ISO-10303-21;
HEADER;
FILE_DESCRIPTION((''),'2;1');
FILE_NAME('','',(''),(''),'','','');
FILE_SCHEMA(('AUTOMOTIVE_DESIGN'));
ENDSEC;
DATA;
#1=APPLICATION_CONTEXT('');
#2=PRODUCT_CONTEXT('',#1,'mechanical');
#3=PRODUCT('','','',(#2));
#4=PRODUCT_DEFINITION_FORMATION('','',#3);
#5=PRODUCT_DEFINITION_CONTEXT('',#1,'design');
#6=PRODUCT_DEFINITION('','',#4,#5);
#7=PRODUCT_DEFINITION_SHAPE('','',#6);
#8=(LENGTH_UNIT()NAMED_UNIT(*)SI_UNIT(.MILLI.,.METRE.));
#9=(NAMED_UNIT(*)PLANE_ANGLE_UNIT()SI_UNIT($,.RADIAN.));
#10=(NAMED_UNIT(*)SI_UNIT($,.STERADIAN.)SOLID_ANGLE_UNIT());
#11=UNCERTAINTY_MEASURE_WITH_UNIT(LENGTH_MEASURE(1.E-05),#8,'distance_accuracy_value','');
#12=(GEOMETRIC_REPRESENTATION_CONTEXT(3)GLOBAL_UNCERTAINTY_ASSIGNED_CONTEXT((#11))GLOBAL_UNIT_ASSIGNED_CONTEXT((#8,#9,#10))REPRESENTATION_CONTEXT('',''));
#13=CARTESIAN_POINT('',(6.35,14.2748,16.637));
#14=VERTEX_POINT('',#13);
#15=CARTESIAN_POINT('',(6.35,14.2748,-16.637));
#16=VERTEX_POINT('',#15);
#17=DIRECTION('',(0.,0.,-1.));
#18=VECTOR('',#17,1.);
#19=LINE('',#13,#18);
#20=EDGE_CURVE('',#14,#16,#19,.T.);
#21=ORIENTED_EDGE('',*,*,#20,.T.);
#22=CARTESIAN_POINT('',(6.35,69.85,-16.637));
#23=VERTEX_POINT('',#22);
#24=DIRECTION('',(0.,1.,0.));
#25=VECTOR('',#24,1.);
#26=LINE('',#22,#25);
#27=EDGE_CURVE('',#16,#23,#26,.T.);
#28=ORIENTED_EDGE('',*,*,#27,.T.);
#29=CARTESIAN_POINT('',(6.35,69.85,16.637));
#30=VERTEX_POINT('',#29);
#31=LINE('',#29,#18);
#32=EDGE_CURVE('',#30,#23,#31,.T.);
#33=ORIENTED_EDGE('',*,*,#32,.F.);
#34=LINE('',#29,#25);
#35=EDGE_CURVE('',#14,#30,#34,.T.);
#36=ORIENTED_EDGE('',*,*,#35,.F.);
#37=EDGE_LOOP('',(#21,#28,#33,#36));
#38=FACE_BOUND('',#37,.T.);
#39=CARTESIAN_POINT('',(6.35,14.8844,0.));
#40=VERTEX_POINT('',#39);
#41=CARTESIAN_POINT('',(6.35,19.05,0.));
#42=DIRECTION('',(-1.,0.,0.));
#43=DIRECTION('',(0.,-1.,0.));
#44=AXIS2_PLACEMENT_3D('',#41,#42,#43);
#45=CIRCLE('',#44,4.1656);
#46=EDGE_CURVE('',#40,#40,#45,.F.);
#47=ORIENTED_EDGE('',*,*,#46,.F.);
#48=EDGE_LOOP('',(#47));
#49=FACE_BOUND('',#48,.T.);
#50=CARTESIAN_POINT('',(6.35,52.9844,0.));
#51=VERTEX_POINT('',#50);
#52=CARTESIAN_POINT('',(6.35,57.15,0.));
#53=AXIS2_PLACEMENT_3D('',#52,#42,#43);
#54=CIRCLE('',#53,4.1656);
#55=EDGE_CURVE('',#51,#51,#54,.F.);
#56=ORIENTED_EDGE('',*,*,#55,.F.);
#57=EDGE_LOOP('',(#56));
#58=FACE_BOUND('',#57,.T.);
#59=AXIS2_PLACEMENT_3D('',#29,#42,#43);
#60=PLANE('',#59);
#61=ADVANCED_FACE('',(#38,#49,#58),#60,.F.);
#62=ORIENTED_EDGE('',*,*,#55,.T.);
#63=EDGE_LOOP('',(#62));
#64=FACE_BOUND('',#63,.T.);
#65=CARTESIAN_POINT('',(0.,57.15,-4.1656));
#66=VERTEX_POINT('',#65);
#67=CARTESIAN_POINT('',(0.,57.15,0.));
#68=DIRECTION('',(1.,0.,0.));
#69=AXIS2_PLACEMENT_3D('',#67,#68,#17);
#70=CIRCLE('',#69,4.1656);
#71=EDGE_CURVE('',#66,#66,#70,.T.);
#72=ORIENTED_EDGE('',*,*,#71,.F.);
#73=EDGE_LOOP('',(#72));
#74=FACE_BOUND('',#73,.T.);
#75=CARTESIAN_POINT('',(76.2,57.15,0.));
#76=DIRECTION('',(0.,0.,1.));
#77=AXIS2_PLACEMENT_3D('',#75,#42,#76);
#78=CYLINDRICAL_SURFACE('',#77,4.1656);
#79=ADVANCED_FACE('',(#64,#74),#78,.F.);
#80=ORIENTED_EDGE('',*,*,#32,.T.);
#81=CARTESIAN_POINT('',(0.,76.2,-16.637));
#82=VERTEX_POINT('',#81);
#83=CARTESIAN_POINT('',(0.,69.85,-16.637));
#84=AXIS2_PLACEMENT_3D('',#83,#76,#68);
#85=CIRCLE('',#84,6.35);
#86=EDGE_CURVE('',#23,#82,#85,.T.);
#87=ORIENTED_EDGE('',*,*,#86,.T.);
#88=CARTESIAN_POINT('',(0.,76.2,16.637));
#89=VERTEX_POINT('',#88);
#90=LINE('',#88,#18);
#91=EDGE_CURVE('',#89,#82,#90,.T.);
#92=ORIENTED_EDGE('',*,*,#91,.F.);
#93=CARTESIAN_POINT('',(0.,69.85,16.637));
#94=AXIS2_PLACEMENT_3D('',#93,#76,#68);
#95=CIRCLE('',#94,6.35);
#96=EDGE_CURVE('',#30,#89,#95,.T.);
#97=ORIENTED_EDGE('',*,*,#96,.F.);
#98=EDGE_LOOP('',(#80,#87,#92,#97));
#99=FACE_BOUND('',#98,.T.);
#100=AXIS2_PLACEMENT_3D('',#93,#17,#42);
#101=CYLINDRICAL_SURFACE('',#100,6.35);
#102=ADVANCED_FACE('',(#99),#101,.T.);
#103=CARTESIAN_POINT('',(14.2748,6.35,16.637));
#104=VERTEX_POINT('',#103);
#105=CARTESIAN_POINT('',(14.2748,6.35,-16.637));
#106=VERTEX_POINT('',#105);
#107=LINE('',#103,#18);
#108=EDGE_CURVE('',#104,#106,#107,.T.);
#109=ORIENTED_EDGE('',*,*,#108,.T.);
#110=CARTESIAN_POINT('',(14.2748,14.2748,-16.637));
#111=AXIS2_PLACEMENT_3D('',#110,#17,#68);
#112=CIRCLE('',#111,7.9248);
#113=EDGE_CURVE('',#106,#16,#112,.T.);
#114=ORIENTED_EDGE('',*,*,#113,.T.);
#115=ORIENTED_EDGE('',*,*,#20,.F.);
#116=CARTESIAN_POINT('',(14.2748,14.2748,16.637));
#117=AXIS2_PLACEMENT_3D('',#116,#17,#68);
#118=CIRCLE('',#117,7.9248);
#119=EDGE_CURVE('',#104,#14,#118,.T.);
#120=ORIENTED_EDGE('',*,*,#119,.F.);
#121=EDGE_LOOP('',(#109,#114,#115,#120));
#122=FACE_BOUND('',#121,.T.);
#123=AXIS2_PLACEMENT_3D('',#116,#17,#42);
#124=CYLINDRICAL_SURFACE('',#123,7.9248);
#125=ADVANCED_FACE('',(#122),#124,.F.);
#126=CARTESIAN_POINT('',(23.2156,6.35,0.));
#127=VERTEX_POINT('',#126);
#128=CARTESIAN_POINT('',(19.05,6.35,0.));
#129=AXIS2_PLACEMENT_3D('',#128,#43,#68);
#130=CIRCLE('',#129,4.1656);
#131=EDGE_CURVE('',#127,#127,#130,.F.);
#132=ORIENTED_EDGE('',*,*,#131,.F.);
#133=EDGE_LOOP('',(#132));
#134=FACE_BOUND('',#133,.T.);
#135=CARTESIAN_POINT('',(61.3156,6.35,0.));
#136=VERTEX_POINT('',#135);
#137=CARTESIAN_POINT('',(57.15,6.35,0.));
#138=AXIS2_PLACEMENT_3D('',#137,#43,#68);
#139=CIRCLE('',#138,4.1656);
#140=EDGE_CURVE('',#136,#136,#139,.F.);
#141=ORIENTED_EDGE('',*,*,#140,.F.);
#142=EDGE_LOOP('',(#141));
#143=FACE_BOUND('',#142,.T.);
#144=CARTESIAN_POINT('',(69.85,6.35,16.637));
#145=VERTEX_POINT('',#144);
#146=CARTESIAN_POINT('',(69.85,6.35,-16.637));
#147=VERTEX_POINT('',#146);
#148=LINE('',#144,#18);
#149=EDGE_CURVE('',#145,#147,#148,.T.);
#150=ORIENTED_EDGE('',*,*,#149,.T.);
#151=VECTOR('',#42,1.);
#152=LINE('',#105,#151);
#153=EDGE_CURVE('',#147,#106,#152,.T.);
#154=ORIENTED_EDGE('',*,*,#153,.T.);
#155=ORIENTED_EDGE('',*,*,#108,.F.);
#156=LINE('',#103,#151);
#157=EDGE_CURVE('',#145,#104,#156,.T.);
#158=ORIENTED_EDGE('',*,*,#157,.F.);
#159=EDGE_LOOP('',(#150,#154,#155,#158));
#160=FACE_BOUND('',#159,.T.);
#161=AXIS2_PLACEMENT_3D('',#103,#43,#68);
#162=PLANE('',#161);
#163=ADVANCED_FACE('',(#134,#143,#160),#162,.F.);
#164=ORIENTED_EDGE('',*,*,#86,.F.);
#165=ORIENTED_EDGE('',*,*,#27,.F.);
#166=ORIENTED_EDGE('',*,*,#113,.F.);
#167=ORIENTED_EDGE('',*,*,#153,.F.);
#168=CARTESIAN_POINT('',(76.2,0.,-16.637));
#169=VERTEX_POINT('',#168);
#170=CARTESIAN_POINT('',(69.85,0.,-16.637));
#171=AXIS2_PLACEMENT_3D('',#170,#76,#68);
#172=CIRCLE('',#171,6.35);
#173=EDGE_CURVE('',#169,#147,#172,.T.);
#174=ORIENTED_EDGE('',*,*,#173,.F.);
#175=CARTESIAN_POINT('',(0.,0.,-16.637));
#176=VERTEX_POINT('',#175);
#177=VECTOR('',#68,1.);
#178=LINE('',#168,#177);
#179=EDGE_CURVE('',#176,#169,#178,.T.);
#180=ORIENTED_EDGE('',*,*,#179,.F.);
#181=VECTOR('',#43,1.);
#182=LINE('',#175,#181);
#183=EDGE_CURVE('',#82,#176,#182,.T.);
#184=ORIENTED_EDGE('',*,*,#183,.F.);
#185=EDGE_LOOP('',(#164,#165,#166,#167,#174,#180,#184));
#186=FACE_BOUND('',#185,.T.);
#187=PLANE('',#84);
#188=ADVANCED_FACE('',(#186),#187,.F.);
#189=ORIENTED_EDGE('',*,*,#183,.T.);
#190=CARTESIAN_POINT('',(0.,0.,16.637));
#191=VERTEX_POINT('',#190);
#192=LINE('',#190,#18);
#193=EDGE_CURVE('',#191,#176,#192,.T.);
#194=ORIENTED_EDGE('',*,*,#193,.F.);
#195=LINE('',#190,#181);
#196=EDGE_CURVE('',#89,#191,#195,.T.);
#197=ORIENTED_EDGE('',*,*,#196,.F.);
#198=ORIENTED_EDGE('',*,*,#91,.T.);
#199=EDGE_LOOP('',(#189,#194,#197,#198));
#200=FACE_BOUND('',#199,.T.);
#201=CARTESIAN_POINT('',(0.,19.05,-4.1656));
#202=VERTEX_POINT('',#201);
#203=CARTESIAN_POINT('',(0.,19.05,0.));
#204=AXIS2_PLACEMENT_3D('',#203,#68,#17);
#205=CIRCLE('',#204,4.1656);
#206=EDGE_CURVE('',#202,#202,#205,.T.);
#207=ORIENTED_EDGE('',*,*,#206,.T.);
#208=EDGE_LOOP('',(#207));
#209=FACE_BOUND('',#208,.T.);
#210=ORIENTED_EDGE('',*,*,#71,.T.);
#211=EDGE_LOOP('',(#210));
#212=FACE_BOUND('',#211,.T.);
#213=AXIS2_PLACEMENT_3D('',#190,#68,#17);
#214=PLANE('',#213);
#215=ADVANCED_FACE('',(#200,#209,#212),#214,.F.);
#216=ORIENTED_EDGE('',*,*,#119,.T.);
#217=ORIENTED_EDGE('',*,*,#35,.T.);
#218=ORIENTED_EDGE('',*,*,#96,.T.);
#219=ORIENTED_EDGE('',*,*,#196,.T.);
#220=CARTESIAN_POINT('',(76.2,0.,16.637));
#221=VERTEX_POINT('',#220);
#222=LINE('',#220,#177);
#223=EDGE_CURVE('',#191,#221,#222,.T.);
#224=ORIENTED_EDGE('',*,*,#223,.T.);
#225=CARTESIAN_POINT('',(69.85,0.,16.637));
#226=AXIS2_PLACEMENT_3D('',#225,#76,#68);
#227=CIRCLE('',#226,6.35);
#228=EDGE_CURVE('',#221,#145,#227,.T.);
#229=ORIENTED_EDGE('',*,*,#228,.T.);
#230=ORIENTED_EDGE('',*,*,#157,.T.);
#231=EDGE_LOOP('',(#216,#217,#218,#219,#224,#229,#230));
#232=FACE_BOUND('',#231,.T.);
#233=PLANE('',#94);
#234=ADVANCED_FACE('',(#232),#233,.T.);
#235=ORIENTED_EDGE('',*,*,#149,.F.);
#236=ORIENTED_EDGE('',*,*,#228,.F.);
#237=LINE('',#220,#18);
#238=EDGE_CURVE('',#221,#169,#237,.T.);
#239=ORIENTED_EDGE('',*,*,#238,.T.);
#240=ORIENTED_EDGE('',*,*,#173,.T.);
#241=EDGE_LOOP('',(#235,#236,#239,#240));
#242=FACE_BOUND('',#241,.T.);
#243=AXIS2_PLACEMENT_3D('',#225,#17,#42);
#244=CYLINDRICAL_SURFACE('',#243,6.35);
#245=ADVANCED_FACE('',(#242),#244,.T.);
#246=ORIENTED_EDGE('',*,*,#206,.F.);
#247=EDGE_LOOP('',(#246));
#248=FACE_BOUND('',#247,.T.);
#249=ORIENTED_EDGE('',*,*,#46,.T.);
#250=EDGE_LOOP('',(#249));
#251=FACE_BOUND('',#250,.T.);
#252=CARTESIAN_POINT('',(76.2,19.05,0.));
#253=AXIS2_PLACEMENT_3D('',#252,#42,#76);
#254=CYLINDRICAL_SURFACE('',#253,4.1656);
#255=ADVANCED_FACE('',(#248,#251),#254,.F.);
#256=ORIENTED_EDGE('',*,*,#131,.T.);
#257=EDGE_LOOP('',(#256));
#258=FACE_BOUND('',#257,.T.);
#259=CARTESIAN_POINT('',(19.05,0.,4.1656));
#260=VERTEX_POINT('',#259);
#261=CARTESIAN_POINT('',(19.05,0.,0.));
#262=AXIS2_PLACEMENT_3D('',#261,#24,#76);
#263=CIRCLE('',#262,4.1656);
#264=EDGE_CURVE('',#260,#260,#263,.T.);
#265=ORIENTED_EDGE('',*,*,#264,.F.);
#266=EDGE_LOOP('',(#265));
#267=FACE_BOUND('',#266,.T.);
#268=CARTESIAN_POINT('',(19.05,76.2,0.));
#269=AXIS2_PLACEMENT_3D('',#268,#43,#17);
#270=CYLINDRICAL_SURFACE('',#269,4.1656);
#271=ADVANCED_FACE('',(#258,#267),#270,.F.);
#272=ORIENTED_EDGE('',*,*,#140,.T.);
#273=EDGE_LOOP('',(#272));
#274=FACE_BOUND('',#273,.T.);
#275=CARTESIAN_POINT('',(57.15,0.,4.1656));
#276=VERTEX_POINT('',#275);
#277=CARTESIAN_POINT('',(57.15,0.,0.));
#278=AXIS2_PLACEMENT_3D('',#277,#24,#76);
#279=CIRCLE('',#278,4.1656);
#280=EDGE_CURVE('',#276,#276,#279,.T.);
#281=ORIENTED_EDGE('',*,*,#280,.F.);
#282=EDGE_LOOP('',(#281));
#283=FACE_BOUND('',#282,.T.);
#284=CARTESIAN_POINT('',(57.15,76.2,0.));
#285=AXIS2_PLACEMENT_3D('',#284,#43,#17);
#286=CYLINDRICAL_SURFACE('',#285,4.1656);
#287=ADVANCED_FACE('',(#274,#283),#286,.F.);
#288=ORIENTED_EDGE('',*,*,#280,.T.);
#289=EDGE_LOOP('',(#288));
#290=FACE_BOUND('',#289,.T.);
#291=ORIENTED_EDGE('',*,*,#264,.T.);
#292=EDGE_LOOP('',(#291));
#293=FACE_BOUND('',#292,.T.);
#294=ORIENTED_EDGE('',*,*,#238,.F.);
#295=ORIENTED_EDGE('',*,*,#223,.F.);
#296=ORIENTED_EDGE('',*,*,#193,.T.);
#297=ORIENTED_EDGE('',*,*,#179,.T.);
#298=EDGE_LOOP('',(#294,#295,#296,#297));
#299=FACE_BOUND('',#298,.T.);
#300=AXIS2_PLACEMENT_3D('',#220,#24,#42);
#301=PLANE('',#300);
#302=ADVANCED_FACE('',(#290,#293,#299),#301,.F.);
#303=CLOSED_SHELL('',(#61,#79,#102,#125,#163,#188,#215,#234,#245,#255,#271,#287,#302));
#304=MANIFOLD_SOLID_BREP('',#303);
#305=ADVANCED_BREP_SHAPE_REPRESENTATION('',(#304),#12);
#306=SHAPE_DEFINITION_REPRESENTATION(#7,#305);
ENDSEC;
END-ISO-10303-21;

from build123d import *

# Parameters (mm, degrees)
BOSS_EXTRUDE1_DEPTH = 16.637
SKETCH2_R           = 4.1656
CUT_EXTRUDE1_DEPTH  = 77.2
SKETCH3_R           = 4.1656
CUT_EXTRUDE2_DEPTH  = 77.2


with BuildPart() as part:
    # Sketch1 → Boss-Extrude1 (new body, symmetric)
    with BuildSketch(Plane.XY):
        with BuildLine():
            Line((0, 0), (0, 76.2))
            ThreePointArc((0, 76.2), (4.490128061, 74.340128061), (6.35, 69.85))
            Line((6.35, 69.85), (6.35, 14.2748))
            ThreePointArc((6.35, 14.2748), (8.67112018, 8.67112018), (14.2748, 6.35))
            Line((14.2748, 6.35), (69.85, 6.35))
            ThreePointArc((69.85, 6.35), (74.340128061, 4.490128061), (76.2, 0))
            Line((76.2, 0), (0, 0))
        make_face()
    extrude(amount=BOSS_EXTRUDE1_DEPTH, both=True)

    # Sketch2 → Cut-Extrude1 (cut, through all)
    with BuildSketch(Plane(origin=(0, 0, 0), x_dir=(1, 0, 0), z_dir=(0, 1, 0))):
        with Locations((19.05, 0)):
            Circle(SKETCH2_R)
        with Locations((57.15, 0)):
            Circle(SKETCH2_R)
    extrude(amount=CUT_EXTRUDE1_DEPTH, mode=Mode.SUBTRACT)

    # Sketch3 → Cut-Extrude2 (cut, through all)
    with BuildSketch(Plane(origin=(0, 0, 0), x_dir=(0, 0, -1), z_dir=(1, 0, 0))):
        with Locations((0, 19.05)):
            Circle(SKETCH3_R)
        with Locations((0, 57.15)):
            Circle(SKETCH3_R)
    extrude(amount=CUT_EXTRUDE2_DEPTH, mode=Mode.SUBTRACT)


solid = part.part
